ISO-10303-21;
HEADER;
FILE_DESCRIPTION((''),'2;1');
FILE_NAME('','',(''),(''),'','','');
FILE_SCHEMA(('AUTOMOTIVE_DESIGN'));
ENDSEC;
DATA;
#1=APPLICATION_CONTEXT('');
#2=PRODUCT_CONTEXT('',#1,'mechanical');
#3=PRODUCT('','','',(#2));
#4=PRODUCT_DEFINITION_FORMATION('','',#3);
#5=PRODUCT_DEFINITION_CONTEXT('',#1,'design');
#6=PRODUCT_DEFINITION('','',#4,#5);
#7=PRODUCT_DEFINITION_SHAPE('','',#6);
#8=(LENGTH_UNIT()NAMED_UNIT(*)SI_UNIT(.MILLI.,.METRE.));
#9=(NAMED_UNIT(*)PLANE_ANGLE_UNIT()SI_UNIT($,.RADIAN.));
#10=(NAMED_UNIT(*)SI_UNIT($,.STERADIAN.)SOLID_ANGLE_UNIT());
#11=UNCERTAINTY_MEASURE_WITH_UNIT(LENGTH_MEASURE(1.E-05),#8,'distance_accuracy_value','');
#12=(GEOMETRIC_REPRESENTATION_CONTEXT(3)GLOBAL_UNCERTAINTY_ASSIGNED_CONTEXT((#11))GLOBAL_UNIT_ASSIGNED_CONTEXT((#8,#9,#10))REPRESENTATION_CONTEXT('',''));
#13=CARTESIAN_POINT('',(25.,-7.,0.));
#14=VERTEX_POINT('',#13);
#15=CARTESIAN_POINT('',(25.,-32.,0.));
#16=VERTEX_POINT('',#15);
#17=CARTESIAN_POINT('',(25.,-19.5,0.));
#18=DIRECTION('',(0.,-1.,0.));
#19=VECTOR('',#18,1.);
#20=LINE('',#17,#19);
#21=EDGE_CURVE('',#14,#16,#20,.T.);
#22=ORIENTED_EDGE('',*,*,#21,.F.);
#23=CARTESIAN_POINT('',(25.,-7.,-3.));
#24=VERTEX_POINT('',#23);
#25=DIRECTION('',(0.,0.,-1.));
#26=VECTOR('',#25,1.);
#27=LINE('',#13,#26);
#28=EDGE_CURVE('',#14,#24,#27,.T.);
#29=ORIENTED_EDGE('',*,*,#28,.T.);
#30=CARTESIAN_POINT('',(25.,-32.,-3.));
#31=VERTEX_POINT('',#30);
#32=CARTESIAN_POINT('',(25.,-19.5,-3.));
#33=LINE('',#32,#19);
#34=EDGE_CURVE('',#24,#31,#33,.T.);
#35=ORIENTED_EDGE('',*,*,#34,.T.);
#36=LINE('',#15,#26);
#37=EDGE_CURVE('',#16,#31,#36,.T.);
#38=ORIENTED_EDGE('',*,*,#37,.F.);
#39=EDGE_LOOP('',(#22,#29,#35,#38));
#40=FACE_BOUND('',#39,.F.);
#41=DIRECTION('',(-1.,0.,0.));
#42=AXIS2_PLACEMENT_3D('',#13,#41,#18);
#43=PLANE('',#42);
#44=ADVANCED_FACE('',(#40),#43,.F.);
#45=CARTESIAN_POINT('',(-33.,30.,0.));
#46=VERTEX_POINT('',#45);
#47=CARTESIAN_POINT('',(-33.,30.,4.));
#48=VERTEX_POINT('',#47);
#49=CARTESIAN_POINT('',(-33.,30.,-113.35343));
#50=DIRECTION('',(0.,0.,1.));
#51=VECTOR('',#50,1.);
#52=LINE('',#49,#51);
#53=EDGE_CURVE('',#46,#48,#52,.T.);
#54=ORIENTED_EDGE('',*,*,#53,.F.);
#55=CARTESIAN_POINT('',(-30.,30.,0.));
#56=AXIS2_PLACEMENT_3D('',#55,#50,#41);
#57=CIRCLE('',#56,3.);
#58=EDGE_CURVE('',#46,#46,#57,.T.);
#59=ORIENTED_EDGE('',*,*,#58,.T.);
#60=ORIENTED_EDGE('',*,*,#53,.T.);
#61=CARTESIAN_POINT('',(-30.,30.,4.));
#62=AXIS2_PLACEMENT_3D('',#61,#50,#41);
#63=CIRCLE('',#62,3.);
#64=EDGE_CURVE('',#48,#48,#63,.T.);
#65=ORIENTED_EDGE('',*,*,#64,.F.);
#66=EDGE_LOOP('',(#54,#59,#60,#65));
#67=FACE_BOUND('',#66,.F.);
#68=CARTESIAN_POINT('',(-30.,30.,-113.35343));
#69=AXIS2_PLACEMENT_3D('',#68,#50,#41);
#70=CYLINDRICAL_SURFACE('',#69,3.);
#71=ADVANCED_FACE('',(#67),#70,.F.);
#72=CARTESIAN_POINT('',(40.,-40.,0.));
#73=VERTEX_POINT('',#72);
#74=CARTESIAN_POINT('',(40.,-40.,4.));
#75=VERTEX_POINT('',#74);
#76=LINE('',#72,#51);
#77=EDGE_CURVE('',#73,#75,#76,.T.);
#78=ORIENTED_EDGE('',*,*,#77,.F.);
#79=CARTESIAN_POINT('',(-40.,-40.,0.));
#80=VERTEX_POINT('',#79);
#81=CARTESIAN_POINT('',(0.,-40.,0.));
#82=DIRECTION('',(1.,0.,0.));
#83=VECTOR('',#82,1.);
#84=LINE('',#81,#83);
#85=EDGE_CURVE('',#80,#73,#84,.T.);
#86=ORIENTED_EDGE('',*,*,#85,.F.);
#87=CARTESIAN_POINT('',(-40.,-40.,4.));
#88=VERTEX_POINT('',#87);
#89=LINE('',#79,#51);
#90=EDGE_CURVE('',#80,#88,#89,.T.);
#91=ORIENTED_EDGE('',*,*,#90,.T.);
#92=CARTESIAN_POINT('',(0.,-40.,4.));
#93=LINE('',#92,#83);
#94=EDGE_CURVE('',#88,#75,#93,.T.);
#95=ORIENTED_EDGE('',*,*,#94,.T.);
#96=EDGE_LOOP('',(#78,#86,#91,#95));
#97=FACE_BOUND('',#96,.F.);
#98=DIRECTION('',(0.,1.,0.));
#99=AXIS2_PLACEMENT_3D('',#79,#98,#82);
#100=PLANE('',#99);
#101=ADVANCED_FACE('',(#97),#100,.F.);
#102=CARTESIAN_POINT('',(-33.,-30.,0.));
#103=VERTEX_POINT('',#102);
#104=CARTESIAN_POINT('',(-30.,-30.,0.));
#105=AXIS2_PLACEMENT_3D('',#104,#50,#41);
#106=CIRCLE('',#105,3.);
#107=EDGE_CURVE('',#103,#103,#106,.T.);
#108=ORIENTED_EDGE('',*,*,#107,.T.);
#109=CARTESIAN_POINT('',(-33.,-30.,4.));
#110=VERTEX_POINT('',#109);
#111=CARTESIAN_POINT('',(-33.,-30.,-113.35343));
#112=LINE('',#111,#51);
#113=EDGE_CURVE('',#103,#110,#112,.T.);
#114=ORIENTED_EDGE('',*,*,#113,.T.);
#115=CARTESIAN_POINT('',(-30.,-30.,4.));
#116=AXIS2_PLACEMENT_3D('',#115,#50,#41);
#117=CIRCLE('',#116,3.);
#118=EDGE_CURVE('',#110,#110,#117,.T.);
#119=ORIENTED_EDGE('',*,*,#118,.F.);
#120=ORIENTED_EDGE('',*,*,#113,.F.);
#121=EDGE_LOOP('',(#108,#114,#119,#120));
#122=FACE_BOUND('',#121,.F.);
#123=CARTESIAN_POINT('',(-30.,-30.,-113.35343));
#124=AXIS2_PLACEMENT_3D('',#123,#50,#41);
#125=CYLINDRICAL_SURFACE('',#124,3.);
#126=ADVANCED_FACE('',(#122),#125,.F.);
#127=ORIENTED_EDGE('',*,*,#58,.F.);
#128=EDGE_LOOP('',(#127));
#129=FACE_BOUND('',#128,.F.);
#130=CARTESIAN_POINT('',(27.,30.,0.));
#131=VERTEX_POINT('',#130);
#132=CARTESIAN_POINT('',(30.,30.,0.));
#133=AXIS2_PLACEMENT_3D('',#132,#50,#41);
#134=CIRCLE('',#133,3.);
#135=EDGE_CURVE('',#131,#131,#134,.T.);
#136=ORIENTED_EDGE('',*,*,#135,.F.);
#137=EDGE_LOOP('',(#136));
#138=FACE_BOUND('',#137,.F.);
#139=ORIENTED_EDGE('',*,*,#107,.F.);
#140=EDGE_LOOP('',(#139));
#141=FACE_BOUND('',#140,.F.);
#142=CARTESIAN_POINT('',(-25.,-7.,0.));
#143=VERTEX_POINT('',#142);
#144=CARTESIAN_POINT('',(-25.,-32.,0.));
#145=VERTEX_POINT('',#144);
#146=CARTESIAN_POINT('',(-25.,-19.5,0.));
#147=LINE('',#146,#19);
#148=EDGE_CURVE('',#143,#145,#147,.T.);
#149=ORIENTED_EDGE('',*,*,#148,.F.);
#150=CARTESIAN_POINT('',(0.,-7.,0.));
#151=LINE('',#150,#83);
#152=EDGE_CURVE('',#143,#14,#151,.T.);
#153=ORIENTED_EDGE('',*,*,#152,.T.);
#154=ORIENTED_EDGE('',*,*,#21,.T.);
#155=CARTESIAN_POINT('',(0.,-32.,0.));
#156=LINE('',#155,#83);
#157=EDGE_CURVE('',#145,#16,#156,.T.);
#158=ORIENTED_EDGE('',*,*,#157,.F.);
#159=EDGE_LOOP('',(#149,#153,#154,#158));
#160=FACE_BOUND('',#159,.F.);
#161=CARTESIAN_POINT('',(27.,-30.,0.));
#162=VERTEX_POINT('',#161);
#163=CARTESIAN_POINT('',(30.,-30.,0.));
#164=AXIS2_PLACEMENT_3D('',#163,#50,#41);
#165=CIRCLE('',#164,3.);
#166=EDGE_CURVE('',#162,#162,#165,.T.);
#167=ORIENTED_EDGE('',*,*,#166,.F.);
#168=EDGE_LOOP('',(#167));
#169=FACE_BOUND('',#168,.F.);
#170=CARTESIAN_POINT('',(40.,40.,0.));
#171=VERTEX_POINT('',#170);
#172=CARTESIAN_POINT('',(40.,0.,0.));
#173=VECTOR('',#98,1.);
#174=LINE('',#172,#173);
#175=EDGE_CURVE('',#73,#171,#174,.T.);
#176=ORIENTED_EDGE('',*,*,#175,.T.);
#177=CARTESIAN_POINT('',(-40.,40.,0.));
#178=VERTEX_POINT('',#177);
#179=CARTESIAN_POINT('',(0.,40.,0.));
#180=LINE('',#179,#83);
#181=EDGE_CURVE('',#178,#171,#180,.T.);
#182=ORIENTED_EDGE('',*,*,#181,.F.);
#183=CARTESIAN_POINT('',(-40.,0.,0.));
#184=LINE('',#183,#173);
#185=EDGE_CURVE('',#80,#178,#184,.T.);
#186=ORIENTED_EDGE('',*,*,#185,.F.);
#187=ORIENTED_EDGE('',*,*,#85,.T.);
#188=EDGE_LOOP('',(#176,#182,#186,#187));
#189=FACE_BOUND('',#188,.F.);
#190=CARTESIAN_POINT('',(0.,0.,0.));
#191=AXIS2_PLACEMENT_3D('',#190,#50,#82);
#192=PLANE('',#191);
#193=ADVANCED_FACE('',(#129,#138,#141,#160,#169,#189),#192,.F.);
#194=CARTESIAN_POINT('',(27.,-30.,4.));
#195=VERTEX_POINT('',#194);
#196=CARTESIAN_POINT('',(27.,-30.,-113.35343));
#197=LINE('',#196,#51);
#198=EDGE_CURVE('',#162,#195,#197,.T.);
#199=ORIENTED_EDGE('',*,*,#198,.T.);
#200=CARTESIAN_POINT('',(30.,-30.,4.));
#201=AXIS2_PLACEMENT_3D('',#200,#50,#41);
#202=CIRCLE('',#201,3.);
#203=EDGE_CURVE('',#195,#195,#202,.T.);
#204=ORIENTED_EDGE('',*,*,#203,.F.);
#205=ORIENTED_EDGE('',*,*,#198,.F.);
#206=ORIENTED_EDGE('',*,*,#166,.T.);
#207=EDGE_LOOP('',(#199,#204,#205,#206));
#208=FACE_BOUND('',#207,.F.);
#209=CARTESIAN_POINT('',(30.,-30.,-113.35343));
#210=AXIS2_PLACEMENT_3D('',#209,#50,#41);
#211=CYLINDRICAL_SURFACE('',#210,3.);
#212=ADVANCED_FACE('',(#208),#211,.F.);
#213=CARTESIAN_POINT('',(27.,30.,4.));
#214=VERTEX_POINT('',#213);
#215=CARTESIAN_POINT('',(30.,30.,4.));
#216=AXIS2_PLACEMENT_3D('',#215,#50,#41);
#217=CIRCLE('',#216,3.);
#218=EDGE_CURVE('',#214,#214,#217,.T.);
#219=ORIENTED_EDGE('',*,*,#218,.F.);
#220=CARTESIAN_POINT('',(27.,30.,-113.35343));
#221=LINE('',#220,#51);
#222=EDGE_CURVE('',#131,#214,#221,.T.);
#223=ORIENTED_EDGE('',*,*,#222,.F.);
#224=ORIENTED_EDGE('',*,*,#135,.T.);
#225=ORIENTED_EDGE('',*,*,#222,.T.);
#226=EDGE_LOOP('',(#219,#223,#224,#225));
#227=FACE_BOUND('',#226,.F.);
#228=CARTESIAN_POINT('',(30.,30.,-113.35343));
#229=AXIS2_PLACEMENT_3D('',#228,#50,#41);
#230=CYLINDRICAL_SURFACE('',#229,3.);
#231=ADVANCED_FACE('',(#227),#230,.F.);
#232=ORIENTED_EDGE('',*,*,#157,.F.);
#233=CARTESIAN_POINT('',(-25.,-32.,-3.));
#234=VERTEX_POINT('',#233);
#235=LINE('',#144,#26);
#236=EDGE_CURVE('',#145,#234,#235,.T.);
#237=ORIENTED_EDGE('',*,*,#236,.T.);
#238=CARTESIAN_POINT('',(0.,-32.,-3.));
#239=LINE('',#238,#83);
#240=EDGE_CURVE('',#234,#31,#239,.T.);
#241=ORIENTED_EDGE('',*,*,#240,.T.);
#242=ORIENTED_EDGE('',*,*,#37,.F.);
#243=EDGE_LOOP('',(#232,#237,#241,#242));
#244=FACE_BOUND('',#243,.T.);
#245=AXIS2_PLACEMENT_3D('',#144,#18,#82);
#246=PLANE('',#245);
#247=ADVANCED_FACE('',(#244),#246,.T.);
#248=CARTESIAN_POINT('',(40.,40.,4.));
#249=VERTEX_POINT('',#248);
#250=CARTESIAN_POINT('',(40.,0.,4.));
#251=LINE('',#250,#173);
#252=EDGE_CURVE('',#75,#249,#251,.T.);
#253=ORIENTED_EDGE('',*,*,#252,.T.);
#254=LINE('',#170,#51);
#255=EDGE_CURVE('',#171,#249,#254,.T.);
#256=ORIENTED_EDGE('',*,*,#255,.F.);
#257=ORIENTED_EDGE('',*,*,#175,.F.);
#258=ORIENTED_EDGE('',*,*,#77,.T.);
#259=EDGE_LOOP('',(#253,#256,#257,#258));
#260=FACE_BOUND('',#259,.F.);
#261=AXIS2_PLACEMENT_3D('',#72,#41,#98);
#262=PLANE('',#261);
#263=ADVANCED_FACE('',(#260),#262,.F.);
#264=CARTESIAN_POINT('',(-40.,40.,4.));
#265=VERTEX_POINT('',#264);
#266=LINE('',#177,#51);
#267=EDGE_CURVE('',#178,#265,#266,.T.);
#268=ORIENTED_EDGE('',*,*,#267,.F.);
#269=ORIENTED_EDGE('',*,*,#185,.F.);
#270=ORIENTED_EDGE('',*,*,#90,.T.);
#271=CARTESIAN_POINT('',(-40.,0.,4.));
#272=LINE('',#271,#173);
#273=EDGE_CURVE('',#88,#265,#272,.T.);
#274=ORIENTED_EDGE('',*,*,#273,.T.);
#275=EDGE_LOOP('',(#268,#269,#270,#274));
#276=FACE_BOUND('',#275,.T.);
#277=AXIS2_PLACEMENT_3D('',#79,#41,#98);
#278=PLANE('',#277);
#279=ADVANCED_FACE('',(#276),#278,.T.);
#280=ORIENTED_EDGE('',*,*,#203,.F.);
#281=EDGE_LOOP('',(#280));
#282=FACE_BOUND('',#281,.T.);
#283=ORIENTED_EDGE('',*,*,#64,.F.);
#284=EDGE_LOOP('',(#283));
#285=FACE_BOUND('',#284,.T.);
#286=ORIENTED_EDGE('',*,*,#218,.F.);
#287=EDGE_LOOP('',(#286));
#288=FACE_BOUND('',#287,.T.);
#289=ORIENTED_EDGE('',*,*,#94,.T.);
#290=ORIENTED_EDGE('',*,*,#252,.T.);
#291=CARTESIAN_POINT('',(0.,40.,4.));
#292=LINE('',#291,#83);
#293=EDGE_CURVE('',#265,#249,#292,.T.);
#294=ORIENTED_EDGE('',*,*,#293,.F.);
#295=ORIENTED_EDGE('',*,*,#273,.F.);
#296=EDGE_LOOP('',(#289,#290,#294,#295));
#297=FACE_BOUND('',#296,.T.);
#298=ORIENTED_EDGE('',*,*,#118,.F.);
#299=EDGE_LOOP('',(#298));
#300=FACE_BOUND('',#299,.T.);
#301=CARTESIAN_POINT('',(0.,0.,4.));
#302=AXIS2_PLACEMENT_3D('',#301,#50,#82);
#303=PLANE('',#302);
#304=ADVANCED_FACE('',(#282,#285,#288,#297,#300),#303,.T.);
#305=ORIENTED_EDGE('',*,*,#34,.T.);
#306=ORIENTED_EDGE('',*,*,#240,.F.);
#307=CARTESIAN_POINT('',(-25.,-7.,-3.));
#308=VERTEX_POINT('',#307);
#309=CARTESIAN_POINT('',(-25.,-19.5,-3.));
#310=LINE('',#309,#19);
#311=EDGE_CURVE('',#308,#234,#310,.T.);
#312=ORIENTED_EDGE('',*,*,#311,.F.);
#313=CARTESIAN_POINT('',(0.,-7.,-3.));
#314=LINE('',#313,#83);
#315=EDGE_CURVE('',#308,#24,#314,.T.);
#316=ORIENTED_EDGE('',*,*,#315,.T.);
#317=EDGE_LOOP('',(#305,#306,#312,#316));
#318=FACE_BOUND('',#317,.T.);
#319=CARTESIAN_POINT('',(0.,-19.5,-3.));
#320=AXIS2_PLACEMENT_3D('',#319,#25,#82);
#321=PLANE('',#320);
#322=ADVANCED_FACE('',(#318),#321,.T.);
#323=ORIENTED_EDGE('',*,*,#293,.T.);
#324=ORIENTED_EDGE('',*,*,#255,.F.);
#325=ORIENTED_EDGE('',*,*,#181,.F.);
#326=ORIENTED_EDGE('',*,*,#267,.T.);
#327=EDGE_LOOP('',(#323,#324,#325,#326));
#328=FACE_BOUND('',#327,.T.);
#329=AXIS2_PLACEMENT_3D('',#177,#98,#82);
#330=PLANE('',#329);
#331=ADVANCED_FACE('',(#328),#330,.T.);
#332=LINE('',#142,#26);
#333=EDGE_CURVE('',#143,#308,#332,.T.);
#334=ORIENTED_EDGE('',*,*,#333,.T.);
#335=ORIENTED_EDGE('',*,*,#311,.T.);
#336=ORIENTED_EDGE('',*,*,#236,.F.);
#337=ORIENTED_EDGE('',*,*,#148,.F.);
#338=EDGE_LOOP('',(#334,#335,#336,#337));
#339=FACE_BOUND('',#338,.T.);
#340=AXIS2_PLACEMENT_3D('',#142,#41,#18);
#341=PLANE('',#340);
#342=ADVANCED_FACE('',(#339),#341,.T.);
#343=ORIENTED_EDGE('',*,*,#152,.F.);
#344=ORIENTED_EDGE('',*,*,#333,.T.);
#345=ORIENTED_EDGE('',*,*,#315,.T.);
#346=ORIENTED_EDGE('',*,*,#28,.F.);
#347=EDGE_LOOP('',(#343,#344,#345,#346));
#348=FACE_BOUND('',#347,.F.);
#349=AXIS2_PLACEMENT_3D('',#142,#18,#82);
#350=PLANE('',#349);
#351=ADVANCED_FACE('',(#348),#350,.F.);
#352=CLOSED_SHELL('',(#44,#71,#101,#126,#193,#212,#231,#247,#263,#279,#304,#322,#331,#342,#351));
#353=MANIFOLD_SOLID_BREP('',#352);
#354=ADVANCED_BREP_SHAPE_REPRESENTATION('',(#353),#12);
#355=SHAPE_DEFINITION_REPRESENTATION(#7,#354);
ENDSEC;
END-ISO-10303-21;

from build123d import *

# Parameters (mm, degrees)
F0_W     = 80
F0_H     = 80
F1_DEPTH = 4
F2_W     = 50
F2_H     = 25
F3_DEPTH = 3
F4_D     = 6


with BuildPart() as f1:
    # F0 (on Top) → F1 (new body)
    with BuildSketch(Plane.XY):
        Rectangle(F0_W, F0_H)
    extrude(amount=F1_DEPTH)

    # F2 (on face) → F3 (join)
    with BuildSketch(Plane(origin=(0, 0, 0), x_dir=(1, 0, 0), z_dir=(0, 0, -1))):
        with Locations((0, 19.5)):
            Rectangle(F2_W, F2_H)
    extrude(amount=F3_DEPTH)

    # F4 (through all)
    with Locations(Plane(origin=(0, 0, 0), x_dir=(1, 0, 0), z_dir=(0, 0, -1))):
        with Locations((-30, 30), (30, 30), (30, -30), (-30, -30)):
            Hole(F4_D / 2)


solid = f1.part
